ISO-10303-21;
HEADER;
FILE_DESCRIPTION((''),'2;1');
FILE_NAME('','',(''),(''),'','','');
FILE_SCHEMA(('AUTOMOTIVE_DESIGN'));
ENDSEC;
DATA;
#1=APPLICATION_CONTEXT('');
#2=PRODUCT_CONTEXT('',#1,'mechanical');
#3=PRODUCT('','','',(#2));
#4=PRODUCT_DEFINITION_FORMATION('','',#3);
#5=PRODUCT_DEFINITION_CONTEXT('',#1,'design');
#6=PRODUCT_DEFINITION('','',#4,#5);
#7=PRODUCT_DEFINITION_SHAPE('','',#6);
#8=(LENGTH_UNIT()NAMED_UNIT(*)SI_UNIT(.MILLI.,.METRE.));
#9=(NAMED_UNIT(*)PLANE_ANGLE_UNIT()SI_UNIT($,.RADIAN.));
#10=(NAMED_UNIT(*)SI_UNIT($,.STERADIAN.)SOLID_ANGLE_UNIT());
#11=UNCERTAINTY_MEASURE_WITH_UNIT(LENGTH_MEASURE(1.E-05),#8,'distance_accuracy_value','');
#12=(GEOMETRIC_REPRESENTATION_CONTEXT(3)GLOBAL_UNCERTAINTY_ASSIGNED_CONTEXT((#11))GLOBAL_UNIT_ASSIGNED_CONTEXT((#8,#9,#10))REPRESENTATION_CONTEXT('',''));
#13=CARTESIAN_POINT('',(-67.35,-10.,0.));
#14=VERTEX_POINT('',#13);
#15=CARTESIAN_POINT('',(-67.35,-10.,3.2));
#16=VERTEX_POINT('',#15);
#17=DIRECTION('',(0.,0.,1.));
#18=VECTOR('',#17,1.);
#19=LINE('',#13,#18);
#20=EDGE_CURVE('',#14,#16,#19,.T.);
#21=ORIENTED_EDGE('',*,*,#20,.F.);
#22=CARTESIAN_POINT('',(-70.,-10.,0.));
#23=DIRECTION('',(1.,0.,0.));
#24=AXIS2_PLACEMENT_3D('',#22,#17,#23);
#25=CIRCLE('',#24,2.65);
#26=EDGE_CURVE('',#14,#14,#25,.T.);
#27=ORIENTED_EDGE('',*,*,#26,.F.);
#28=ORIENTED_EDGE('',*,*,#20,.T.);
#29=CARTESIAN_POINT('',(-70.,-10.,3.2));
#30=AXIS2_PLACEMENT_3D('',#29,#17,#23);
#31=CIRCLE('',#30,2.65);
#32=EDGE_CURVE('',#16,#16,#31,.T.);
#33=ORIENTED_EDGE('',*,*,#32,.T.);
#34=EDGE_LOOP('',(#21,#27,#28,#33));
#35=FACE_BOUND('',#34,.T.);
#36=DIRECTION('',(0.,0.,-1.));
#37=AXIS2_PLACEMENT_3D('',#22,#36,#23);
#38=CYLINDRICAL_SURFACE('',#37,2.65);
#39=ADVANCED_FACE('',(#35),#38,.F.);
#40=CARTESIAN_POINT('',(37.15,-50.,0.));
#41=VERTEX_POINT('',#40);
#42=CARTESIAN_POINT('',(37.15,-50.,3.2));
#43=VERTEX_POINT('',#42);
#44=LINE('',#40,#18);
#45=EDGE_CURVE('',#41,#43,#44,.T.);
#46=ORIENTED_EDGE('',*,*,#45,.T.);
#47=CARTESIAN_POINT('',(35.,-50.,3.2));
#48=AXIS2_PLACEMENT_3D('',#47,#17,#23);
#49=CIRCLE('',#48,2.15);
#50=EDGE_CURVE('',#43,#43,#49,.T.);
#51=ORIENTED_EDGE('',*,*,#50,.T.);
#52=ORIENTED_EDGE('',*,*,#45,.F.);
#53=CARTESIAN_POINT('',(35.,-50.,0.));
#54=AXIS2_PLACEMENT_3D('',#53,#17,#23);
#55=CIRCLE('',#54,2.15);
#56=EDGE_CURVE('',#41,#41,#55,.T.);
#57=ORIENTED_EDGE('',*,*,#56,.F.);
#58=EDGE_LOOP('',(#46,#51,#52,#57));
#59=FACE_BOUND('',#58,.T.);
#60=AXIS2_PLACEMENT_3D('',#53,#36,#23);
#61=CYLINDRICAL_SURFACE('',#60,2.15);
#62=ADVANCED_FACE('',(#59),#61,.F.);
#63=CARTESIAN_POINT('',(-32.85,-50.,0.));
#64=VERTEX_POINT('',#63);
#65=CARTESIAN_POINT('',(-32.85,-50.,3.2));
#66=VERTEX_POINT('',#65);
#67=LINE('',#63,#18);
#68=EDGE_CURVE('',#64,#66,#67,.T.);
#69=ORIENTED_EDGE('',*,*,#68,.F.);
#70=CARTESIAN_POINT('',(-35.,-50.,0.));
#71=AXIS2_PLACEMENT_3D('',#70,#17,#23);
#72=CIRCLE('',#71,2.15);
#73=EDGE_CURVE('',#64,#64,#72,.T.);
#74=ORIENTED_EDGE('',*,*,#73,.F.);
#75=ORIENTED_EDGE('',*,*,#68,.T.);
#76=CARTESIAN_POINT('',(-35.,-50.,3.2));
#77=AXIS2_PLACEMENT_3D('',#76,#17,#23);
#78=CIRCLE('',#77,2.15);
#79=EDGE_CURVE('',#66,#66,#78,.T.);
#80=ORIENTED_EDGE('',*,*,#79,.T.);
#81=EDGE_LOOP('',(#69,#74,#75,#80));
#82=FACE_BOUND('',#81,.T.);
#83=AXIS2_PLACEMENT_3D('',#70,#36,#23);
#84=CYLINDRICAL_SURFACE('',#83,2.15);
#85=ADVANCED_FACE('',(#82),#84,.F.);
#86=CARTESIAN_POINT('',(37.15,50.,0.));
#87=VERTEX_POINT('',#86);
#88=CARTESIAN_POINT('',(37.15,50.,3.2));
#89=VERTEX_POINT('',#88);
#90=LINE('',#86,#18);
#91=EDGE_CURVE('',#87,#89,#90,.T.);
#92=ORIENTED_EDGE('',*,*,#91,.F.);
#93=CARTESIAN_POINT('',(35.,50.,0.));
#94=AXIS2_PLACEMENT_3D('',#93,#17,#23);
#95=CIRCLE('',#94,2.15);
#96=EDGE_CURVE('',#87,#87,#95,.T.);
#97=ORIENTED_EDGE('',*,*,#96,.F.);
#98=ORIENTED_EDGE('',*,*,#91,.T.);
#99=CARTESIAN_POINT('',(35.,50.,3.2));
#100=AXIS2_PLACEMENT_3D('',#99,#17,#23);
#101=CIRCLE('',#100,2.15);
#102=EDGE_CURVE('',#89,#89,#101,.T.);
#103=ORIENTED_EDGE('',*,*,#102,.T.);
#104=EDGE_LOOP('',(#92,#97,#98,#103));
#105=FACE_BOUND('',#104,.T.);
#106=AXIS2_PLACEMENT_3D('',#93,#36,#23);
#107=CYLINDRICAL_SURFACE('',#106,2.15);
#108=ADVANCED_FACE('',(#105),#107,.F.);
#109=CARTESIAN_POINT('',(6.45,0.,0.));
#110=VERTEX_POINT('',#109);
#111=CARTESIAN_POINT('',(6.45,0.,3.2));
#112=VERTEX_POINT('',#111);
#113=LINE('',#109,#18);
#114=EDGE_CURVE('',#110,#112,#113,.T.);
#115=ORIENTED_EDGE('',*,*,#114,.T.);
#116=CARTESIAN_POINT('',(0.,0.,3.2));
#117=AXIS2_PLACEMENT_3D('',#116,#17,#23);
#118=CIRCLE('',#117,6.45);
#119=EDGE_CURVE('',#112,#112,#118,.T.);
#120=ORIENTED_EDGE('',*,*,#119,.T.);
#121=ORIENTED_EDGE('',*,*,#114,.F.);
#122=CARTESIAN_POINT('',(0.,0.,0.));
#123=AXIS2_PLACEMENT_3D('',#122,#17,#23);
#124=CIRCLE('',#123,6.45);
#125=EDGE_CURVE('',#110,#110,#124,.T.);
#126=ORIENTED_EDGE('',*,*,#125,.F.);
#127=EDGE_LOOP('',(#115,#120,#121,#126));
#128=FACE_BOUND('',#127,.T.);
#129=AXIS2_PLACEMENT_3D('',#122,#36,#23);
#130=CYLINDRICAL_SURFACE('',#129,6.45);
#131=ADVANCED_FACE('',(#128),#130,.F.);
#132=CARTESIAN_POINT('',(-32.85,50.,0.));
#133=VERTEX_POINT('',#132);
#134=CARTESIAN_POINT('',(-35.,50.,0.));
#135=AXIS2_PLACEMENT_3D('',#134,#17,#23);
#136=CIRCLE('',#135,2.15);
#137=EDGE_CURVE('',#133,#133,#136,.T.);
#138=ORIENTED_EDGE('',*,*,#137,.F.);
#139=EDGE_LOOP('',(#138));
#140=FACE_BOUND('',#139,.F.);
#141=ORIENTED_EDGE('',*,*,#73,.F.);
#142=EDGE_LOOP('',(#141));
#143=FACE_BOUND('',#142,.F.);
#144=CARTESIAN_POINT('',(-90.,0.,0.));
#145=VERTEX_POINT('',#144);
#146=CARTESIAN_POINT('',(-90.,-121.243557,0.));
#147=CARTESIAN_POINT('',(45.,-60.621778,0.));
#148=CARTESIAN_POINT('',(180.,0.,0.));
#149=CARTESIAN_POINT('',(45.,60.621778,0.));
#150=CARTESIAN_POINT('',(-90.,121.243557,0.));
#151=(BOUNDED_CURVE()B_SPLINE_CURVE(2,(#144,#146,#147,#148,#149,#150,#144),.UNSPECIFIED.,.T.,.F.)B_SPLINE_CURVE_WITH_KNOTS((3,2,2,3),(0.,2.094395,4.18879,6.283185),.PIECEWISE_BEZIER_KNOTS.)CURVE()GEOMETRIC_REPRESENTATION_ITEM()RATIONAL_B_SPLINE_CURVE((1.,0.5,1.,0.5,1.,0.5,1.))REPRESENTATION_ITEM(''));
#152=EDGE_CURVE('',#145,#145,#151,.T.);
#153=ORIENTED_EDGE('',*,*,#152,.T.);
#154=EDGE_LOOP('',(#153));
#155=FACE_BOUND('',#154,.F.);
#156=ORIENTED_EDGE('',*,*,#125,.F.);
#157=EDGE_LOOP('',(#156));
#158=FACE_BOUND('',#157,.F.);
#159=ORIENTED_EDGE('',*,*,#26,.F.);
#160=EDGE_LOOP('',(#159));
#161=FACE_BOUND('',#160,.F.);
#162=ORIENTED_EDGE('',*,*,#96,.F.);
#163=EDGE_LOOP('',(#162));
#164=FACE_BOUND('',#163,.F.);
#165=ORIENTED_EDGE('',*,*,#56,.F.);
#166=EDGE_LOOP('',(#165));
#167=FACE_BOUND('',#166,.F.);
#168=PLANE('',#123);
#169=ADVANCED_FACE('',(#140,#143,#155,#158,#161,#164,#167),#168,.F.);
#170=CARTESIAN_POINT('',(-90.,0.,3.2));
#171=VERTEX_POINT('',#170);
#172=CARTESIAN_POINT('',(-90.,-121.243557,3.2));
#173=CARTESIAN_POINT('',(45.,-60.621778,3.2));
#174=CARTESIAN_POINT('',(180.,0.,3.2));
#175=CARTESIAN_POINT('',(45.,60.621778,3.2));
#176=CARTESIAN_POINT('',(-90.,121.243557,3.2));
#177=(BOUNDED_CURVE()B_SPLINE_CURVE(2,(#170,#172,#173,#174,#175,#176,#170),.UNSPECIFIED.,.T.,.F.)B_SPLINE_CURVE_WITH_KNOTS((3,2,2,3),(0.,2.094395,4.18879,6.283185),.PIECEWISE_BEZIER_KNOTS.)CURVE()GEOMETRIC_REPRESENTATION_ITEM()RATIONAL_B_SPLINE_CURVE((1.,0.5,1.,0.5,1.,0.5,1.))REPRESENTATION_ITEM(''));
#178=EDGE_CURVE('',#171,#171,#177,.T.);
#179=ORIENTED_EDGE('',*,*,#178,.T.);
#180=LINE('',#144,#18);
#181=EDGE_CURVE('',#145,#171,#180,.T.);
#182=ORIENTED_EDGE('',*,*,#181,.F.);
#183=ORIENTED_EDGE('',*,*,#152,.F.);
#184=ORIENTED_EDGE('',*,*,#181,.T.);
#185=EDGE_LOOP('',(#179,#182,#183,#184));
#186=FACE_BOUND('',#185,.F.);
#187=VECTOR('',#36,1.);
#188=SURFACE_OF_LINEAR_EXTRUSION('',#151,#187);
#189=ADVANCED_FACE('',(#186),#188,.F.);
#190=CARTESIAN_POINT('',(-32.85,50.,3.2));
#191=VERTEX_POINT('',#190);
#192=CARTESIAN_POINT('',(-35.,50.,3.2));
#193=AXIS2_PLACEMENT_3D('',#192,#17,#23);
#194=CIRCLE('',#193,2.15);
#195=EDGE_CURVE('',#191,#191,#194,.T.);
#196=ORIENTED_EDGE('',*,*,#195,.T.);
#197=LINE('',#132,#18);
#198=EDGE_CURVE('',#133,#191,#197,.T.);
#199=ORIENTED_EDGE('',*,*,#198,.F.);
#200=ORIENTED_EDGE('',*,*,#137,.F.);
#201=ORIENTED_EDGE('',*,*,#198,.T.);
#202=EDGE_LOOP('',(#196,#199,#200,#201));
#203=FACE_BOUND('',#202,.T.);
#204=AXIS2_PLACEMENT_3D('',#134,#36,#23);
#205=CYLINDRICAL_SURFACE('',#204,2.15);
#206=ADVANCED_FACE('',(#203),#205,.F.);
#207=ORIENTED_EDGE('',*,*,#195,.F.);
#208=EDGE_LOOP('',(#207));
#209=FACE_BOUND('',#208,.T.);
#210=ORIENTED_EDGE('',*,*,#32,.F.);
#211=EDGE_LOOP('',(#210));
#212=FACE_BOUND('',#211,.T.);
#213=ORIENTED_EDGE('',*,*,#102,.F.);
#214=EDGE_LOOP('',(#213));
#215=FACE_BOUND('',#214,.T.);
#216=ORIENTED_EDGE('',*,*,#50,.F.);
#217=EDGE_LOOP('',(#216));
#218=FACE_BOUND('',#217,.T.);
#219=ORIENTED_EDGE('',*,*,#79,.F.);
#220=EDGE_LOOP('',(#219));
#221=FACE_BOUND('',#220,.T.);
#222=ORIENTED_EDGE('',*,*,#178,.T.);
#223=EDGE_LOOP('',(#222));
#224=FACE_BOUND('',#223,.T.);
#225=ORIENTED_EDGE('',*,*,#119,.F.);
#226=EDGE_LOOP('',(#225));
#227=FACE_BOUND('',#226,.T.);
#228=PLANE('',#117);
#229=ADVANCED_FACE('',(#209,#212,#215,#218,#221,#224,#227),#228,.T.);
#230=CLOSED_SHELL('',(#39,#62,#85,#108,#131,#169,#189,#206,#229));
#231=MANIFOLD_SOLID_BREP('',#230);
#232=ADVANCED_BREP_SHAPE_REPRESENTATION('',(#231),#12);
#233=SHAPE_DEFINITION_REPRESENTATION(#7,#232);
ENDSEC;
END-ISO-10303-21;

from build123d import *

# Parameters (mm, degrees)
F0_R     = 2.15
F0_R_2   = 2.65
F0_R_3   = 6.45
F1_DEPTH = 3.2


with BuildPart() as f1:
    # F0 (on Top) → F1 (new body)
    with BuildSketch(Plane.XY):
        with BuildLine():
            add(Edge.make_bspline(
                [(-90, 0), (-90, -121.243557), (45, -60.621778), (180, 0), (45, 60.621778), (-90, 121.243557), (-90, 0)],
                knots=[0, 0, 0, 2.094395, 2.094395, 4.18879, 4.18879, 6.283185, 6.283185, 6.283185], degree=2, weights=[1, 0.5, 1, 0.5, 1, 0.5, 1]))
        make_face()
        with Locations((-35, -50)):
            Circle(F0_R, mode=Mode.SUBTRACT)
        with Locations((-70, -10)):
            Circle(F0_R_2, mode=Mode.SUBTRACT)
        with Locations((35, -50)):
            Circle(F0_R, mode=Mode.SUBTRACT)
        with Locations((-35, 50)):
            Circle(F0_R, mode=Mode.SUBTRACT)
        Circle(F0_R_3, mode=Mode.SUBTRACT)
        with Locations((35, 50)):
            Circle(F0_R, mode=Mode.SUBTRACT)
    extrude(amount=F1_DEPTH)


solid = f1.part
